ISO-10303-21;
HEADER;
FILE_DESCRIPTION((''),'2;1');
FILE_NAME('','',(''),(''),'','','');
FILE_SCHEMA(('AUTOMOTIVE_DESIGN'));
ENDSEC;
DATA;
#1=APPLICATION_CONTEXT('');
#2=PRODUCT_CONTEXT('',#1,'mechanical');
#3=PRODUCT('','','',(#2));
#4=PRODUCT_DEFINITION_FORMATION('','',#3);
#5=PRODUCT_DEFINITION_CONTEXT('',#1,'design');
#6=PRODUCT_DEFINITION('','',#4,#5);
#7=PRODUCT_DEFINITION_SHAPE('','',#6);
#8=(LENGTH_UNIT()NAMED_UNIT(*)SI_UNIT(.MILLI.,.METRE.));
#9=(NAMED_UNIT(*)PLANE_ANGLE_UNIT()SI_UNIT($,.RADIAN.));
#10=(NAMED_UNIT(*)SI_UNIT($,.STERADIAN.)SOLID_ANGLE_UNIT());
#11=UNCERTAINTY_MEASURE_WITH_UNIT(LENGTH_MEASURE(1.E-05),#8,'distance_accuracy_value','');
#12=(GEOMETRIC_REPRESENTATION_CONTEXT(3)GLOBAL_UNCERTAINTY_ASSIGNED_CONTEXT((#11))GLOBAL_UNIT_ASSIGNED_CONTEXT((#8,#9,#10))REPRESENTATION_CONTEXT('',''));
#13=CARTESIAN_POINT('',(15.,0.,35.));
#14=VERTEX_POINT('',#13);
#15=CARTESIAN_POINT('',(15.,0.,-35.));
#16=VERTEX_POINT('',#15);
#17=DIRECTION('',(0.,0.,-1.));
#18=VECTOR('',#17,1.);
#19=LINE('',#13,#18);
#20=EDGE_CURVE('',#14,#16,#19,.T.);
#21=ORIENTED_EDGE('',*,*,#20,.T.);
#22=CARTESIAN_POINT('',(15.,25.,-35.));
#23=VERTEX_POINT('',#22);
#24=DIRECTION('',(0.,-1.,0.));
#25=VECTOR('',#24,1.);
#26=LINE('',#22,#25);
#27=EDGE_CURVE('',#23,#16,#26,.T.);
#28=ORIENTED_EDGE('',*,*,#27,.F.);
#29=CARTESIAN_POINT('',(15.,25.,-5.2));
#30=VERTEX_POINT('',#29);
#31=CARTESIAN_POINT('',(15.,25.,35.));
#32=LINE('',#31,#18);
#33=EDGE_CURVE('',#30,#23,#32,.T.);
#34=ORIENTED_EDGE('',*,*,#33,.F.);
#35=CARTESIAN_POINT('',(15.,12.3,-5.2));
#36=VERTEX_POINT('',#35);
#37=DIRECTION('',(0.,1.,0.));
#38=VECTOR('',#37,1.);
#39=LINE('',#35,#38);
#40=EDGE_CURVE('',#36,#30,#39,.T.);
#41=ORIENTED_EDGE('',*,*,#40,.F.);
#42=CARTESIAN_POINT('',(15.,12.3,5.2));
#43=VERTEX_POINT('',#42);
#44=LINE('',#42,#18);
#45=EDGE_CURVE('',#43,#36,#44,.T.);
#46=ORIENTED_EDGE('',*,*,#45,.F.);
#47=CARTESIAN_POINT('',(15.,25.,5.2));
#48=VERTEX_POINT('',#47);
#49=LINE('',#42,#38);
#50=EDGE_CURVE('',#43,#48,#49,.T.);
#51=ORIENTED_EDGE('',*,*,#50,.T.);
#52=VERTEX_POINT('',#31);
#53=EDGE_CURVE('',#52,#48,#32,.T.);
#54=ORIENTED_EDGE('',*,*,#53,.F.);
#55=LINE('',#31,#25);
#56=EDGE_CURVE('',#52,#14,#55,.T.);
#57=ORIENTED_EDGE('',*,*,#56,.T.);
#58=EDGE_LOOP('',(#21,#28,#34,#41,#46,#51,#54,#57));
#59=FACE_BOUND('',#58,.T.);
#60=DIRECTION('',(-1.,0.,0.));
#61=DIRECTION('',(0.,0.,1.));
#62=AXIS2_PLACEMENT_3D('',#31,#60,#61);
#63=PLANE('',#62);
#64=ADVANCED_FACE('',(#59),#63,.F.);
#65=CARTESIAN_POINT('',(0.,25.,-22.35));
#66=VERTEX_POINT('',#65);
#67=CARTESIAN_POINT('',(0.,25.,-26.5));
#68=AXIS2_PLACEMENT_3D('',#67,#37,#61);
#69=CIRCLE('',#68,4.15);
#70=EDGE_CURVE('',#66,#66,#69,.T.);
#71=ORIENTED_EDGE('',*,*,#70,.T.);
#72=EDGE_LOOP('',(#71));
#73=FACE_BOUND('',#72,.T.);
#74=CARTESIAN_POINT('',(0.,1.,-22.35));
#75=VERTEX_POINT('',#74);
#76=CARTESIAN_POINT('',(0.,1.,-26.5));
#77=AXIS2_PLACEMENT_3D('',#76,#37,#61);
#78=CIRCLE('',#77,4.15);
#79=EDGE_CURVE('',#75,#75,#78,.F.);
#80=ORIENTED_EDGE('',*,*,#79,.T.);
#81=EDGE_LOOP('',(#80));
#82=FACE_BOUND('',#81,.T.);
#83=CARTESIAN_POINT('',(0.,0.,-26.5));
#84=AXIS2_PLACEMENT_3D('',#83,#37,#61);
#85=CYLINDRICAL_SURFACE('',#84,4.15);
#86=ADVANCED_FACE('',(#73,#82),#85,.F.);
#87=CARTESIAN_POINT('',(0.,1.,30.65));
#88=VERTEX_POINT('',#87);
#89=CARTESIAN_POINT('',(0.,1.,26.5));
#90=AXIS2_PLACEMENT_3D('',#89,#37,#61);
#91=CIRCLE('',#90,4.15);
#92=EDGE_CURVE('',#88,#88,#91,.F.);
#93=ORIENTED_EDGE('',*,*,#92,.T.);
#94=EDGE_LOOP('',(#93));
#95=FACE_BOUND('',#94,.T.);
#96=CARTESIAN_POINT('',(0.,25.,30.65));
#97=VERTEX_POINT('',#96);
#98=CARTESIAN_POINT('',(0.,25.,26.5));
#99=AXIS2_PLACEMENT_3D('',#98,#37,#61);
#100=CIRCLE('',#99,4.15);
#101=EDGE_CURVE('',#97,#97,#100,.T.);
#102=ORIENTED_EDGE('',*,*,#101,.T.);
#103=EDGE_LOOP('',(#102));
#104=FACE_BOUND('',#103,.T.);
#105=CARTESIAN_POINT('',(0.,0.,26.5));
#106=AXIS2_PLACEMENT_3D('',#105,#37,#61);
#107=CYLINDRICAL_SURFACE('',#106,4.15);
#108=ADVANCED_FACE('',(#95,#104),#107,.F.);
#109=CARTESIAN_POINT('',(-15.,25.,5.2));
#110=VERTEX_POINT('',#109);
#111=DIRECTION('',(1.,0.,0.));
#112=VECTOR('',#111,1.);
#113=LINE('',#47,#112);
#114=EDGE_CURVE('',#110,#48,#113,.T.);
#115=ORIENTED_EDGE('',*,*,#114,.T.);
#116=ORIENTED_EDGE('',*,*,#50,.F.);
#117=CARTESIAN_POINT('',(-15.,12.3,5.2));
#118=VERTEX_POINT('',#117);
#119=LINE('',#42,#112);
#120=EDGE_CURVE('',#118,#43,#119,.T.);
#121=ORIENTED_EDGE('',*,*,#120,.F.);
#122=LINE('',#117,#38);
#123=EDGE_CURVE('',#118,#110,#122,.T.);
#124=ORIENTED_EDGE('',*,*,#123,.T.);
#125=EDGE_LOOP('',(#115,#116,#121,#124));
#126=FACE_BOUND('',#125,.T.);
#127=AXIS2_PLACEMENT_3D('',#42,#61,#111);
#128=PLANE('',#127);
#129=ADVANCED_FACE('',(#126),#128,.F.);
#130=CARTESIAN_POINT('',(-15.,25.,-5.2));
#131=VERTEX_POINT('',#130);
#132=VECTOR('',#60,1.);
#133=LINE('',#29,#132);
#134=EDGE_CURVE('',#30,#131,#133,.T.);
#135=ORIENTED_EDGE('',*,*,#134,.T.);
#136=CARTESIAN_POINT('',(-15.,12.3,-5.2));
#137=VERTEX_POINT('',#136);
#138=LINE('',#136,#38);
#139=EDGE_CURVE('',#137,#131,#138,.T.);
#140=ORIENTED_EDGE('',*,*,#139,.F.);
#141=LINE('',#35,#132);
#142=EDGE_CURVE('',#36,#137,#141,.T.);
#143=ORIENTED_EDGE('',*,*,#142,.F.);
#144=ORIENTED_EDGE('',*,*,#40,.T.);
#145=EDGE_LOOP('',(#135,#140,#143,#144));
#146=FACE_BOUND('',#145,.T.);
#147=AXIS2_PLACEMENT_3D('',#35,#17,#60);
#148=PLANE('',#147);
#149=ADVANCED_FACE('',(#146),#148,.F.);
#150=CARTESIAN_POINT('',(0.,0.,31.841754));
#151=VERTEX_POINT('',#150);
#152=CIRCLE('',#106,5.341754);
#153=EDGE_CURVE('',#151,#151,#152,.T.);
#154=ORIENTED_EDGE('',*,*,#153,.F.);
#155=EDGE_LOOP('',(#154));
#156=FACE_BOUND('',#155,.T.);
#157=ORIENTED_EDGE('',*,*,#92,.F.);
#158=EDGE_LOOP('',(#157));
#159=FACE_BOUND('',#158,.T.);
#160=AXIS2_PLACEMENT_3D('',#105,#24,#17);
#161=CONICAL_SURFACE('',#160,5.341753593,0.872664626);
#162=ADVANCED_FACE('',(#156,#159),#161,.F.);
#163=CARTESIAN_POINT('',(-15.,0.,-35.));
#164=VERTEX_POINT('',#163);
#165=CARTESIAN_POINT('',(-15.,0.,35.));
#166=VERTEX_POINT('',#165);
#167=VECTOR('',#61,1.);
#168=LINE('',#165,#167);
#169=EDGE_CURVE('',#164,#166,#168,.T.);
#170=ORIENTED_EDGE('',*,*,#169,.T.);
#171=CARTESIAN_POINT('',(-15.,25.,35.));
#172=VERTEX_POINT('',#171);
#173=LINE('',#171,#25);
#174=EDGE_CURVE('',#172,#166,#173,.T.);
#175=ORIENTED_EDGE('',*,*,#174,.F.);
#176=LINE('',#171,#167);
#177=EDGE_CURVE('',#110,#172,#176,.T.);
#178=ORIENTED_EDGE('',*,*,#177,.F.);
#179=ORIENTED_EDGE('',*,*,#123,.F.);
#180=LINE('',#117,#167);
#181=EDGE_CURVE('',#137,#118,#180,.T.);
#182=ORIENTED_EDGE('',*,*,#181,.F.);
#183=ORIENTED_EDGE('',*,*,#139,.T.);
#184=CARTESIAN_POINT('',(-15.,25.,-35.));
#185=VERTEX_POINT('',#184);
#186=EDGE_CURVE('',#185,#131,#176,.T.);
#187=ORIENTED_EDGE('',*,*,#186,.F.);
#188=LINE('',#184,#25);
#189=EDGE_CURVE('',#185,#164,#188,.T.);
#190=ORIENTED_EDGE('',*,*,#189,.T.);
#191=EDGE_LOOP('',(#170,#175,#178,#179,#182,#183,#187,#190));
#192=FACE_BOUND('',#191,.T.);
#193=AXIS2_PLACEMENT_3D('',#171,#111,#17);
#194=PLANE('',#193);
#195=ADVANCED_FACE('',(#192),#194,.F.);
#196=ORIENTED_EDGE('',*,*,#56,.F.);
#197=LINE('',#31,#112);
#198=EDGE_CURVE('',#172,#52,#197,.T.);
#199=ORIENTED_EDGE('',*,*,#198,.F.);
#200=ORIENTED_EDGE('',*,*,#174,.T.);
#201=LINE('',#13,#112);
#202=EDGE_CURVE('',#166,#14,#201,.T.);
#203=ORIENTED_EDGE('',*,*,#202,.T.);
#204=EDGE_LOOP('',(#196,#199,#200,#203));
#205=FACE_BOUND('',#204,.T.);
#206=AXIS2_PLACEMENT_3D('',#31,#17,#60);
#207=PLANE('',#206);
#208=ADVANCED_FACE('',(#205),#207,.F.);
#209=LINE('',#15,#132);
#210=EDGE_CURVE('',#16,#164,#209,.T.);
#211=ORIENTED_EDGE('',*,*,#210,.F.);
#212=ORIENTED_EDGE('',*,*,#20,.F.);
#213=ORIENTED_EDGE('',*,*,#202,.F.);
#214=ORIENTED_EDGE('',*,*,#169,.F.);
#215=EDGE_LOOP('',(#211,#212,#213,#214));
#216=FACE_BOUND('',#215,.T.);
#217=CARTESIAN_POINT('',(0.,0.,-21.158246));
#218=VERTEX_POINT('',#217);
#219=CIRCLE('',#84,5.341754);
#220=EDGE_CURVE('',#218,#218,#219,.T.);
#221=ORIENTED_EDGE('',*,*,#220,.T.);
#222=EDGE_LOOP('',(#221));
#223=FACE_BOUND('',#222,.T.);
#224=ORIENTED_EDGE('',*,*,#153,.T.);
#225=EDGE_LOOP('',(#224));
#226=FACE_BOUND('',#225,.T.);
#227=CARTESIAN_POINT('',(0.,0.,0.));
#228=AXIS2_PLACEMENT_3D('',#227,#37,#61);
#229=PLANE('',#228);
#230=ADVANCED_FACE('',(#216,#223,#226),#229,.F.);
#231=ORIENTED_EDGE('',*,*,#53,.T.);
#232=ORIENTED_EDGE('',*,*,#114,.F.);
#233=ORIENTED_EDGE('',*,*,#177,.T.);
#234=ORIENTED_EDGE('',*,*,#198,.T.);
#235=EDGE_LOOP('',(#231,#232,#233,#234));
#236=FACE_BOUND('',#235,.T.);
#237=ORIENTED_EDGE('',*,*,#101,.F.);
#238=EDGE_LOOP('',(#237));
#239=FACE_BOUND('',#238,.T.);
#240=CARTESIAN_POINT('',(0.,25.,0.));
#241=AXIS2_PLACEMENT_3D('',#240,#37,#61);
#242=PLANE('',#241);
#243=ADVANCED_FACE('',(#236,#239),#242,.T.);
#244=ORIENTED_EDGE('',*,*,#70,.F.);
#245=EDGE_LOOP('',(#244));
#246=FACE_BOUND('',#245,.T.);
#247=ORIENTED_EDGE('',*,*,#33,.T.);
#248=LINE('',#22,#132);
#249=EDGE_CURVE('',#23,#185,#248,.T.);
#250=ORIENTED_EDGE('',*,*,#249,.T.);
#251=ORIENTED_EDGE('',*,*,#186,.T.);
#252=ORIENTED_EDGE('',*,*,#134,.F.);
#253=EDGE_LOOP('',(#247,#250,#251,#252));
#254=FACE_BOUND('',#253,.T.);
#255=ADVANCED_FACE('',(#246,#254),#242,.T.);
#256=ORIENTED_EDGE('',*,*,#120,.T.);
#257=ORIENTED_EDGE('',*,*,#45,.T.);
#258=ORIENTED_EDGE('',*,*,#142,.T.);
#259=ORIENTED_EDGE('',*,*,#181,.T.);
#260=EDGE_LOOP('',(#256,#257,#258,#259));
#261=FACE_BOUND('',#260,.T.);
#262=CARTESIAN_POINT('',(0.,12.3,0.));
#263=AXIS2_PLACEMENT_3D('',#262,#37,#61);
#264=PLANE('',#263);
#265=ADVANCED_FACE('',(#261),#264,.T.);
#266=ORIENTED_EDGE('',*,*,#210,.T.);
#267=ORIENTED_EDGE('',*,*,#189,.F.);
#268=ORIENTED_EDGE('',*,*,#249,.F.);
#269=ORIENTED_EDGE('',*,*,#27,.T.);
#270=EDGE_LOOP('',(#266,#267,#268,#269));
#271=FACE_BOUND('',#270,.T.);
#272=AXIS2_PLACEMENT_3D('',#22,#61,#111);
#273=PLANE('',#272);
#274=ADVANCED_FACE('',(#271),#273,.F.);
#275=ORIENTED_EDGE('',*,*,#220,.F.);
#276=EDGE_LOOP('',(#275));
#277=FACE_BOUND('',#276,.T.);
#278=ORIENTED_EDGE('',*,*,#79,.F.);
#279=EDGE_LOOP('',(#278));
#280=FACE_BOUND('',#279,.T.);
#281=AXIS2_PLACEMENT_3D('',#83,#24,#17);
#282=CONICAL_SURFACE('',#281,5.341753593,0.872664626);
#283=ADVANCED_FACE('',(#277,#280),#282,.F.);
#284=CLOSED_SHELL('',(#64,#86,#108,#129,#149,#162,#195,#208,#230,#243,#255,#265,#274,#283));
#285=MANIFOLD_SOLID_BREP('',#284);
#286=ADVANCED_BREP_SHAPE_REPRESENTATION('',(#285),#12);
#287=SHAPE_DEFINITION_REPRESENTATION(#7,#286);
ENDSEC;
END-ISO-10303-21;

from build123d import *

# Parameters (mm, degrees)
SKETCH1_W             = 30
SKETCH1_H             = 70
BOSS_EXTRUDE1_DEPTH   = 25
SKETCH2_W             = 30
SKETCH2_H             = 10.4
CUT_EXTRUDE1_DEPTH    = 12.7
SKETCH3_R             = 4.15
CUT_EXTRUDE2_DEPTH    = 26
CHAMFER1_SIZE         = 1
CHAMFER1_SIZE2        = 1.191753593
CHAMFER1_PART_2_SIZE  = 1
CHAMFER1_PART_2_SIZE2 = 1.191753593


with BuildPart() as part:
    # Sketch1 → Boss-Extrude1 (new body)
    with BuildSketch(Plane(origin=(0, 0, 0), x_dir=(1, 0, 0), z_dir=(0, 1, 0))):
        Rectangle(SKETCH1_W, SKETCH1_H)
    extrude(amount=BOSS_EXTRUDE1_DEPTH)

    # Sketch2 → Cut-Extrude1 (cut)
    with BuildSketch(Plane(origin=(0, 25, 0), x_dir=(1, 0, 0), z_dir=(0, 1, 0))):
        Rectangle(SKETCH2_W, SKETCH2_H)
    extrude(amount=-CUT_EXTRUDE1_DEPTH, mode=Mode.SUBTRACT)

    # Sketch3 → Cut-Extrude2 (cut, through all)
    with BuildSketch(Plane(origin=(0, 25, 0), x_dir=(1, 0, 0), z_dir=(0, 1, 0))):
        with Locations((0, 26.5)):
            Circle(SKETCH3_R)
        with Locations((0, -26.5)):
            Circle(SKETCH3_R)
    extrude(amount=-CUT_EXTRUDE2_DEPTH, mode=Mode.SUBTRACT)

    # Chamfer1
    chamfer1_edges = [part.edges().sort_by_distance(p)[0] for p in [
        (-4.15, 0, -26.5),
    ]]
    chamfer1_side = [part.faces().sort_by_distance(p)[0] for p in [
        (-4.15, 12.5, -26.5),
    ]]
    chamfer(chamfer1_edges, length=CHAMFER1_SIZE, length2=CHAMFER1_SIZE2, reference=chamfer1_side[0])

    # Chamfer1 part 2
    chamfer1_part_2_edges = [part.edges().sort_by_distance(p)[0] for p in [
        (-4.15, 0, 26.5),
    ]]
    chamfer1_part_2_side = [part.faces().sort_by_distance(p)[0] for p in [
        (-4.15, 12.5, 26.5),
    ]]
    chamfer(chamfer1_part_2_edges, length=CHAMFER1_PART_2_SIZE, length2=CHAMFER1_PART_2_SIZE2, reference=chamfer1_part_2_side[0])


solid = part.part
